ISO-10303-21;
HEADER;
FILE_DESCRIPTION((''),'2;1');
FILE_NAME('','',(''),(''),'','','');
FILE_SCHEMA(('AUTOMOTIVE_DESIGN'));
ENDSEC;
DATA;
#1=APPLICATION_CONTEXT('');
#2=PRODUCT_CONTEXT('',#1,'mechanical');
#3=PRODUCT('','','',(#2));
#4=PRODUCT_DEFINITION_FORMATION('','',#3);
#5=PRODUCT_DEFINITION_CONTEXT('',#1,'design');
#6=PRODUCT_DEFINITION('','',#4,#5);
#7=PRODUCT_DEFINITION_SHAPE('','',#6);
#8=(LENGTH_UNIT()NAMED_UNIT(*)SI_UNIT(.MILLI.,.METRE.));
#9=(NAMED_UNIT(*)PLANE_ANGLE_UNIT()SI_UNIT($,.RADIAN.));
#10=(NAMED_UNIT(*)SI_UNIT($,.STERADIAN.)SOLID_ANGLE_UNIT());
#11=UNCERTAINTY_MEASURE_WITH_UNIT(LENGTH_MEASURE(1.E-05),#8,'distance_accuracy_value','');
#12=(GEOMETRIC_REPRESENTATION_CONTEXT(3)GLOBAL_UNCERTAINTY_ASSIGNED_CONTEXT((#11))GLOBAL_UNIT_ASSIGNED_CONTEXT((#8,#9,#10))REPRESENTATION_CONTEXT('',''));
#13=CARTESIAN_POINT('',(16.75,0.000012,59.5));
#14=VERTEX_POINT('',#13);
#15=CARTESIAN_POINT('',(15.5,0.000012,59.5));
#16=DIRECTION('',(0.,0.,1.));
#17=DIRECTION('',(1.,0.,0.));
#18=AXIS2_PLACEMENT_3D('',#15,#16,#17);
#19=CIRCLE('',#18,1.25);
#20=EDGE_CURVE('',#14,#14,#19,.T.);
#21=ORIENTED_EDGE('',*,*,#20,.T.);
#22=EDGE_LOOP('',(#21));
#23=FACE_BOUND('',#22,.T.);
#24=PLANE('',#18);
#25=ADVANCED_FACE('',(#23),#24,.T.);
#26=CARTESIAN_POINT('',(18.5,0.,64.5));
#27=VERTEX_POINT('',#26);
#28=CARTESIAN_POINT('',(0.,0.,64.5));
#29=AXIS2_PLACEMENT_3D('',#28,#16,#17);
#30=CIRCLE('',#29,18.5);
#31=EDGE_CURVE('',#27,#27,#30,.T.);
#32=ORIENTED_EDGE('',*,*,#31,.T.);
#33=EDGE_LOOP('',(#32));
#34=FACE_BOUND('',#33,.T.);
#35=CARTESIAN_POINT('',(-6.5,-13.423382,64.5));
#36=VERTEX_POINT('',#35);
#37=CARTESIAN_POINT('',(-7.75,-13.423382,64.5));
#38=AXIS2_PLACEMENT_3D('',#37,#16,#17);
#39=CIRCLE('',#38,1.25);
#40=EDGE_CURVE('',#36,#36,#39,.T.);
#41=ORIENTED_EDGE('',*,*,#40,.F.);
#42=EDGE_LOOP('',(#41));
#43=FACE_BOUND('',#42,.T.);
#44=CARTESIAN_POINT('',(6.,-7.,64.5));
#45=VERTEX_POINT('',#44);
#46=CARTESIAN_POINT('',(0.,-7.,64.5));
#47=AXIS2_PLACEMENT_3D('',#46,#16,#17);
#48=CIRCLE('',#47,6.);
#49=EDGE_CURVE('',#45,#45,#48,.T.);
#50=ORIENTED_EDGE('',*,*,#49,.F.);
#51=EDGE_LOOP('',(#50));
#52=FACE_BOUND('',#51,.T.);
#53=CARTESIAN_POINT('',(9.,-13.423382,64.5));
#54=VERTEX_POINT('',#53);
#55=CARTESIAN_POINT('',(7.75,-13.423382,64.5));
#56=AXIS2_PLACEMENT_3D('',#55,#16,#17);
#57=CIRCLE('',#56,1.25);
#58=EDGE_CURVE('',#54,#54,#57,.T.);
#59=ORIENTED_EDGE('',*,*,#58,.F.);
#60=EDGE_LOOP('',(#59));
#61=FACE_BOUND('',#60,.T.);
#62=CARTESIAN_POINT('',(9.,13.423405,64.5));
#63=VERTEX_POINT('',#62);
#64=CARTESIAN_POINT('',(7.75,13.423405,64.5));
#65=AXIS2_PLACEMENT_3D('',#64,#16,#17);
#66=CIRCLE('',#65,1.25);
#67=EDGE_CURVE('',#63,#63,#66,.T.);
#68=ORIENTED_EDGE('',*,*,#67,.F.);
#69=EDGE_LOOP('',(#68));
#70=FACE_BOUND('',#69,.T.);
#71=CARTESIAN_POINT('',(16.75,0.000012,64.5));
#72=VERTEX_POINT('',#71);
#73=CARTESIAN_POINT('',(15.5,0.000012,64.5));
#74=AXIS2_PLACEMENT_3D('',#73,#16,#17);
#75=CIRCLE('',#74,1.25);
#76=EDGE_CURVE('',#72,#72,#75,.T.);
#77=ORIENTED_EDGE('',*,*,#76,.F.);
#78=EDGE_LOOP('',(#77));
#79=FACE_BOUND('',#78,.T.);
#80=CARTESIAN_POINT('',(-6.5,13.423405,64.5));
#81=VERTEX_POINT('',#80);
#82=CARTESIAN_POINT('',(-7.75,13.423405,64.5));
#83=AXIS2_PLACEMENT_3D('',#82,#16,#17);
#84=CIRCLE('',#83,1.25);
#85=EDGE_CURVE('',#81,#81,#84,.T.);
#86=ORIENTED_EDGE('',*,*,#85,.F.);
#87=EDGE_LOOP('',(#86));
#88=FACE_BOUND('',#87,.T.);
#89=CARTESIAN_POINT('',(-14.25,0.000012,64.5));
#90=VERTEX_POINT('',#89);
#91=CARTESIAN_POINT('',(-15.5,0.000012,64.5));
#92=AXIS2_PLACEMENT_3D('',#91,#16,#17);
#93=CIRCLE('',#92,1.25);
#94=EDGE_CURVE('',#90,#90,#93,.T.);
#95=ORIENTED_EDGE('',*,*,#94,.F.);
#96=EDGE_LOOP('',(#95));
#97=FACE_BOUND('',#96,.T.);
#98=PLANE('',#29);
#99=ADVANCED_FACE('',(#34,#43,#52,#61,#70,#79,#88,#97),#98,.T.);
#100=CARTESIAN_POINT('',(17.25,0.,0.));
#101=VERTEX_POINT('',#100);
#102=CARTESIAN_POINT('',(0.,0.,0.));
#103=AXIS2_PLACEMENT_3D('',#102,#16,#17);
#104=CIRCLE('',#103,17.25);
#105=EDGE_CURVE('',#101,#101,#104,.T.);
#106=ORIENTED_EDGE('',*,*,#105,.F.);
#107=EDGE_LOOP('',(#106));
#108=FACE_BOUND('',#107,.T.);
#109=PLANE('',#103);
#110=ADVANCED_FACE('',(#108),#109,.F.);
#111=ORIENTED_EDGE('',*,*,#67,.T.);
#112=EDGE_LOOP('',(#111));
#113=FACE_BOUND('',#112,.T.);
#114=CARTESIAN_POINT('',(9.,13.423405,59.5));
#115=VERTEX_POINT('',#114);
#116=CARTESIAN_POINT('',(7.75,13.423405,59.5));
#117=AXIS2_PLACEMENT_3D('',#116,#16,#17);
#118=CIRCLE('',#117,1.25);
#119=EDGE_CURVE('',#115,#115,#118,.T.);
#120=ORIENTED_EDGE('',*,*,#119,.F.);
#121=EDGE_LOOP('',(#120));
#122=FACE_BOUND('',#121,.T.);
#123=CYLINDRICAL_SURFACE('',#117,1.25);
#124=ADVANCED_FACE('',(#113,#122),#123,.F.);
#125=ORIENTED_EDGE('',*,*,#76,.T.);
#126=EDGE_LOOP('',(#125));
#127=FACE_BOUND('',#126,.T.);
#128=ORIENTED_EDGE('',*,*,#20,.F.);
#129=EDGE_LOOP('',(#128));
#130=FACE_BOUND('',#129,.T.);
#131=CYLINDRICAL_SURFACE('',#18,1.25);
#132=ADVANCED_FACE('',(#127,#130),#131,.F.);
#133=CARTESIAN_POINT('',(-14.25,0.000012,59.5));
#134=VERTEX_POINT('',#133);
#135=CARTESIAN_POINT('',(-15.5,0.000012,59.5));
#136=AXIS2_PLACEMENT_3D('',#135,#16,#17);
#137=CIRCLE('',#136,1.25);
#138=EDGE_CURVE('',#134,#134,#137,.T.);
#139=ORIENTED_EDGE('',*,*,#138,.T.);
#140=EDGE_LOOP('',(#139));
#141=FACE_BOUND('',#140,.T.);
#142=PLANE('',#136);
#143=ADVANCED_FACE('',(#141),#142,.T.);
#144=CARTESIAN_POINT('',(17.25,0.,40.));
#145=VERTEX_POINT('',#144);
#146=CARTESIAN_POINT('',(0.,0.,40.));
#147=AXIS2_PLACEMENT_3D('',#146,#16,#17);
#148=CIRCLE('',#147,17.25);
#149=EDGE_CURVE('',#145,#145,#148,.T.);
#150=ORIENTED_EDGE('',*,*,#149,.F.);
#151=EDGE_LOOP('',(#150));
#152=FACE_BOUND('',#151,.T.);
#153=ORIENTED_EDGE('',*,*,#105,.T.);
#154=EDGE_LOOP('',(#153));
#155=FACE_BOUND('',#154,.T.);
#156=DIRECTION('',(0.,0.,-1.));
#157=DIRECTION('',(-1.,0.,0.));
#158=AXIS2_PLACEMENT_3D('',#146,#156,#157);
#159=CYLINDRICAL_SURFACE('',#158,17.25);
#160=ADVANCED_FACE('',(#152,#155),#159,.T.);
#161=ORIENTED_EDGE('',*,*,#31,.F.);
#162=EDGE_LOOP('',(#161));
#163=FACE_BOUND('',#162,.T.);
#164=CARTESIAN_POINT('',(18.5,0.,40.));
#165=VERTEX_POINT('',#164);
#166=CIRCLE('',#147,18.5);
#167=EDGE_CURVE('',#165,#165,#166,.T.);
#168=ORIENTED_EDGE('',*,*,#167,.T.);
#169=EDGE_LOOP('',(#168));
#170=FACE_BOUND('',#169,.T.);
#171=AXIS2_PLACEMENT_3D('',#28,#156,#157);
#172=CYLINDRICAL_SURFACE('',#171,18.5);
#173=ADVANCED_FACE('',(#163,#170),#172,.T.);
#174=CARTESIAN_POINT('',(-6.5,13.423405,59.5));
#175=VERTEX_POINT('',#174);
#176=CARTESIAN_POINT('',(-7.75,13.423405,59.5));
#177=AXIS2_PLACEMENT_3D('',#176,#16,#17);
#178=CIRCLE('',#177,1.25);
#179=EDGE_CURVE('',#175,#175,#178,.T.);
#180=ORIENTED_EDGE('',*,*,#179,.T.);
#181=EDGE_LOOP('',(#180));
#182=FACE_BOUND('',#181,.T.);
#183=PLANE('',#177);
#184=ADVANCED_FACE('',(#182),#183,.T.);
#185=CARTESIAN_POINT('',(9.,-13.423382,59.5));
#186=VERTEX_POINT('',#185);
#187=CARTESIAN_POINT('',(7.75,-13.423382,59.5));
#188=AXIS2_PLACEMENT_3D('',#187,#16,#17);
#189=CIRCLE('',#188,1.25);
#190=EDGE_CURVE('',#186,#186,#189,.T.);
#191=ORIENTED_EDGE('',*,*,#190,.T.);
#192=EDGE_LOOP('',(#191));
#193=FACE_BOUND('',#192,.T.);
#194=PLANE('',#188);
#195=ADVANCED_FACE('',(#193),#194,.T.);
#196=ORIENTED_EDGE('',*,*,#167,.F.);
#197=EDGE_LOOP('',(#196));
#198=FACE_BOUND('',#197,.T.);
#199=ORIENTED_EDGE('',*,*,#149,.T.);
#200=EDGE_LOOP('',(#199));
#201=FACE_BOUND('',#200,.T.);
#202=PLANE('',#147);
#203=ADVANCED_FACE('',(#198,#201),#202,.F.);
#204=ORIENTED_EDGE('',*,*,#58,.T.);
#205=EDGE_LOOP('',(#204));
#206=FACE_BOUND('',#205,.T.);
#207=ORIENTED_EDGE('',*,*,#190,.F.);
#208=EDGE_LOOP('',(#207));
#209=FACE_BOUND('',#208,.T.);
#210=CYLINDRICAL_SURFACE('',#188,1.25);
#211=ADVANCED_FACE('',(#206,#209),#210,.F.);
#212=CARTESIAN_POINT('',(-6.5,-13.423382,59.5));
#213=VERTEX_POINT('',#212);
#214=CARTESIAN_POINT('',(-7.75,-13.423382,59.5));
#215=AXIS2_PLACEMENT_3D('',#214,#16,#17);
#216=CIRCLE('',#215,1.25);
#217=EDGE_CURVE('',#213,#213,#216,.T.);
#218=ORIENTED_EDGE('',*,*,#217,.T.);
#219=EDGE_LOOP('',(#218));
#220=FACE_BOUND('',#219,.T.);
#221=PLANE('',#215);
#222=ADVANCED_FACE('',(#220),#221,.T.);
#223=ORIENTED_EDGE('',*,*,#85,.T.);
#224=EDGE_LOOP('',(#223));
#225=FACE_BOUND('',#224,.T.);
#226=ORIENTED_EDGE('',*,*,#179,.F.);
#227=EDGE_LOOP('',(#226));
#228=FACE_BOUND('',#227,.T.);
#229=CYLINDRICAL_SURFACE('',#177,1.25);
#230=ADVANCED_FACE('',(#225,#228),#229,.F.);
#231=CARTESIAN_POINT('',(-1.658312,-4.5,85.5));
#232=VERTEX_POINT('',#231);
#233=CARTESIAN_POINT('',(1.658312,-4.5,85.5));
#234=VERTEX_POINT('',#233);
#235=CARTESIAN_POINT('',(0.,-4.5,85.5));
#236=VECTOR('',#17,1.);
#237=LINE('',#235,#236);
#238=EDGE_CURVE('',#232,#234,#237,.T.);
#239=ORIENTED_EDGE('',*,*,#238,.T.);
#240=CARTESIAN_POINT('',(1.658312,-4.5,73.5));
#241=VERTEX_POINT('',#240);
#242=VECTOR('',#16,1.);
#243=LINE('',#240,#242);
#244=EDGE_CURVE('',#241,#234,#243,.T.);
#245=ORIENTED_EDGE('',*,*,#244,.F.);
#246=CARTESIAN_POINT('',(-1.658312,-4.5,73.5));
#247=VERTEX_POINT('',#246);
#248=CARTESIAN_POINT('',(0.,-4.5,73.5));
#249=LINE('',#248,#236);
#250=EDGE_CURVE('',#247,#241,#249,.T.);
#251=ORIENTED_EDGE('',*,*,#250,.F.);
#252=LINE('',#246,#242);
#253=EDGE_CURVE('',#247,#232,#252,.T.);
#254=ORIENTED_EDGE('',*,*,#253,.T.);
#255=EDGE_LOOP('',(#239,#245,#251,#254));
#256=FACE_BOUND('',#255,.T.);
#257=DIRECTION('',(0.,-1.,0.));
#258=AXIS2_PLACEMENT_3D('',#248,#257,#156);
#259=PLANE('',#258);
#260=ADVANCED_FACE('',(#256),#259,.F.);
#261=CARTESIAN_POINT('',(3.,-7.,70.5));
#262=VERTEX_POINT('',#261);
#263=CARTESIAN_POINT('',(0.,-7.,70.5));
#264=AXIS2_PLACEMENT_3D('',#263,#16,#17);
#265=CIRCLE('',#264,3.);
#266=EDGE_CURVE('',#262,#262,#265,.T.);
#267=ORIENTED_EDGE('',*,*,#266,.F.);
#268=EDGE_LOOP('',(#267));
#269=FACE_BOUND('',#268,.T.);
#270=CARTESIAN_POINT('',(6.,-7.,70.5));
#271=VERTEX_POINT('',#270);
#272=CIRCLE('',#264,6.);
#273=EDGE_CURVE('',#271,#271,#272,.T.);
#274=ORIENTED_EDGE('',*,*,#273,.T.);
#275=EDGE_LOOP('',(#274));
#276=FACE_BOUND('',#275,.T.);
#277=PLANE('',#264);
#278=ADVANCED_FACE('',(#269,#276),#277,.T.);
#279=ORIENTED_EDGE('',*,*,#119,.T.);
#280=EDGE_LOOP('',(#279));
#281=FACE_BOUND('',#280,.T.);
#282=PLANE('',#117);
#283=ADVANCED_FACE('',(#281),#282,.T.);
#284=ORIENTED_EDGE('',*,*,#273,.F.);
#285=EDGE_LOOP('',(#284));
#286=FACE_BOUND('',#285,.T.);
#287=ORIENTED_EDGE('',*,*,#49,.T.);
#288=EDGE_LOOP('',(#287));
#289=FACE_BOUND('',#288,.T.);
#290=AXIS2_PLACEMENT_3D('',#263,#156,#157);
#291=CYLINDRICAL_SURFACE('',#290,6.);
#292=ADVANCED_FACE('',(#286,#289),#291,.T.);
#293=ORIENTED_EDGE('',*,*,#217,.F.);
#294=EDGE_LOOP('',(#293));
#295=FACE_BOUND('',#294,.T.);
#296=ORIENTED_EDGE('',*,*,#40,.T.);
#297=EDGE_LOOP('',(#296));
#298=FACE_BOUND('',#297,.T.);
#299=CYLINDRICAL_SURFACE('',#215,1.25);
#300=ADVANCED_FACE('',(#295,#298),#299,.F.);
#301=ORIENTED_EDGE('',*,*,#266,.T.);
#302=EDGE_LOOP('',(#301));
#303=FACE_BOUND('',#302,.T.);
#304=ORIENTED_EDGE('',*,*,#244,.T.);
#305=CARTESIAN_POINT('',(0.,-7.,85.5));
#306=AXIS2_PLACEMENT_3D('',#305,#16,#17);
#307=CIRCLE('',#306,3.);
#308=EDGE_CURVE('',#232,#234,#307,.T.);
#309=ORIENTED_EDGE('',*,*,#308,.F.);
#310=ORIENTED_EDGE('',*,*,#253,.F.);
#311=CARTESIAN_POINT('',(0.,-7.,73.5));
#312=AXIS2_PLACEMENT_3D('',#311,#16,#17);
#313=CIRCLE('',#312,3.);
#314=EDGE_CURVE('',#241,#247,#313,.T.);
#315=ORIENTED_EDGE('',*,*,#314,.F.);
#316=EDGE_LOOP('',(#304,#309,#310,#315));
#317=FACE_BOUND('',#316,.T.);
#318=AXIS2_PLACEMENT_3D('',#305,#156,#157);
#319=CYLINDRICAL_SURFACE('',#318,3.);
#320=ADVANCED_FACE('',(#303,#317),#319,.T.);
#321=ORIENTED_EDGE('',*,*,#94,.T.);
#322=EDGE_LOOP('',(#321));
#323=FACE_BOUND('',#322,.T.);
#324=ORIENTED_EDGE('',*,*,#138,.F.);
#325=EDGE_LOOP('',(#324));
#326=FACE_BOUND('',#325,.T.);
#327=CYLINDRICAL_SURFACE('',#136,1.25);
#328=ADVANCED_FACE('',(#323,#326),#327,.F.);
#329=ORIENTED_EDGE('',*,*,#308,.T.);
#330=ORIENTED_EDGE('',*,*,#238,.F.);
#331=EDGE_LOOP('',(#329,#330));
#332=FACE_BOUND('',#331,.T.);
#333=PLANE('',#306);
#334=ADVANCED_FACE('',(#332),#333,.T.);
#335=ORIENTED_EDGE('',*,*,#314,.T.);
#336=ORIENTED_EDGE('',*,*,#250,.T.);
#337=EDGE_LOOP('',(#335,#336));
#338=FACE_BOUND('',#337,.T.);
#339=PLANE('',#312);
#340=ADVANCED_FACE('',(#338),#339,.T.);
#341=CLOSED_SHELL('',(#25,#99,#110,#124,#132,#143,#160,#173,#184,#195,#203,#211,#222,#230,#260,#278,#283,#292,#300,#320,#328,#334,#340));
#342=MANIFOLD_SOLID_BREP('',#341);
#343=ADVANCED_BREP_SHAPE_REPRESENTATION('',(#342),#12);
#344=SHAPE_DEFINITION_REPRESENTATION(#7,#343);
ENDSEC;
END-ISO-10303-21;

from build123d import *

# Parameters (mm, degrees)
SKETCH1_R           = 17.25
BOSS_EXTRUDE1_DEPTH = 40
SKETCH2_R           = 18.5
BOSS_EXTRUDE2_DEPTH = 24.5
SKETCH3_R           = 6
BOSS_EXTRUDE3_DEPTH = 6
SKETCH4_R           = 3
BOSS_EXTRUDE4_DEPTH = 15
CUT_EXTRUDE1_START  = -12
CUT_EXTRUDE1_DEPTH  = 12
SKETCH7_R           = 1.25
CUT_EXTRUDE2_DEPTH  = 5


with BuildPart() as part:
    # Sketch1 → Boss-Extrude1 (new body)
    with BuildSketch(Plane.XY):
        Circle(SKETCH1_R)
    extrude(amount=BOSS_EXTRUDE1_DEPTH)

    # Sketch2 → Boss-Extrude2 (add)
    with BuildSketch(Plane.XY.offset(40)):
        Circle(SKETCH2_R)
    extrude(amount=BOSS_EXTRUDE2_DEPTH)

    # Sketch3 → Boss-Extrude3 (add)
    with BuildSketch(Plane.XY.offset(64.5)):
        with Locations((0, -7)):
            Circle(SKETCH3_R)
    extrude(amount=BOSS_EXTRUDE3_DEPTH)

    # Sketch4 → Boss-Extrude4 (add)
    with BuildSketch(Plane.XY.offset(70.5)):
        with Locations((0, -7)):
            Circle(SKETCH4_R)
    extrude(amount=BOSS_EXTRUDE4_DEPTH)

    # Sketch5 → Cut-Extrude1 (cut)
    with BuildSketch(Plane.XY.offset(85.5).offset(CUT_EXTRUDE1_START)):
        with BuildLine():
            Line((0, -4.5), (1.658312395, -4.5))
            ThreePointArc((1.658312395, -4.5), (0, -4), (-1.658312395, -4.5))
            Line((-1.658312395, -4.5), (0, -4.5))
        make_face()
    extrude(amount=CUT_EXTRUDE1_DEPTH, mode=Mode.SUBTRACT)

    # Sketch7 → Cut-Extrude2 (cut)
    with BuildSketch(Plane.XY.offset(64.5)):
        with Locations((-15.5, 1.1641e-05)):
            Circle(SKETCH7_R)
        with Locations((-7.75, 13.4234054)):
            Circle(SKETCH7_R)
        with Locations((7.75, 13.4234054)):
            Circle(SKETCH7_R)
        with Locations((15.5, 1.1641e-05)):
            Circle(SKETCH7_R)
        with Locations((7.75, -13.423382117)):
            Circle(SKETCH7_R)
        with Locations((-7.75, -13.423382117)):
            Circle(SKETCH7_R)
    extrude(amount=-CUT_EXTRUDE2_DEPTH, mode=Mode.SUBTRACT)


solid = part.part
